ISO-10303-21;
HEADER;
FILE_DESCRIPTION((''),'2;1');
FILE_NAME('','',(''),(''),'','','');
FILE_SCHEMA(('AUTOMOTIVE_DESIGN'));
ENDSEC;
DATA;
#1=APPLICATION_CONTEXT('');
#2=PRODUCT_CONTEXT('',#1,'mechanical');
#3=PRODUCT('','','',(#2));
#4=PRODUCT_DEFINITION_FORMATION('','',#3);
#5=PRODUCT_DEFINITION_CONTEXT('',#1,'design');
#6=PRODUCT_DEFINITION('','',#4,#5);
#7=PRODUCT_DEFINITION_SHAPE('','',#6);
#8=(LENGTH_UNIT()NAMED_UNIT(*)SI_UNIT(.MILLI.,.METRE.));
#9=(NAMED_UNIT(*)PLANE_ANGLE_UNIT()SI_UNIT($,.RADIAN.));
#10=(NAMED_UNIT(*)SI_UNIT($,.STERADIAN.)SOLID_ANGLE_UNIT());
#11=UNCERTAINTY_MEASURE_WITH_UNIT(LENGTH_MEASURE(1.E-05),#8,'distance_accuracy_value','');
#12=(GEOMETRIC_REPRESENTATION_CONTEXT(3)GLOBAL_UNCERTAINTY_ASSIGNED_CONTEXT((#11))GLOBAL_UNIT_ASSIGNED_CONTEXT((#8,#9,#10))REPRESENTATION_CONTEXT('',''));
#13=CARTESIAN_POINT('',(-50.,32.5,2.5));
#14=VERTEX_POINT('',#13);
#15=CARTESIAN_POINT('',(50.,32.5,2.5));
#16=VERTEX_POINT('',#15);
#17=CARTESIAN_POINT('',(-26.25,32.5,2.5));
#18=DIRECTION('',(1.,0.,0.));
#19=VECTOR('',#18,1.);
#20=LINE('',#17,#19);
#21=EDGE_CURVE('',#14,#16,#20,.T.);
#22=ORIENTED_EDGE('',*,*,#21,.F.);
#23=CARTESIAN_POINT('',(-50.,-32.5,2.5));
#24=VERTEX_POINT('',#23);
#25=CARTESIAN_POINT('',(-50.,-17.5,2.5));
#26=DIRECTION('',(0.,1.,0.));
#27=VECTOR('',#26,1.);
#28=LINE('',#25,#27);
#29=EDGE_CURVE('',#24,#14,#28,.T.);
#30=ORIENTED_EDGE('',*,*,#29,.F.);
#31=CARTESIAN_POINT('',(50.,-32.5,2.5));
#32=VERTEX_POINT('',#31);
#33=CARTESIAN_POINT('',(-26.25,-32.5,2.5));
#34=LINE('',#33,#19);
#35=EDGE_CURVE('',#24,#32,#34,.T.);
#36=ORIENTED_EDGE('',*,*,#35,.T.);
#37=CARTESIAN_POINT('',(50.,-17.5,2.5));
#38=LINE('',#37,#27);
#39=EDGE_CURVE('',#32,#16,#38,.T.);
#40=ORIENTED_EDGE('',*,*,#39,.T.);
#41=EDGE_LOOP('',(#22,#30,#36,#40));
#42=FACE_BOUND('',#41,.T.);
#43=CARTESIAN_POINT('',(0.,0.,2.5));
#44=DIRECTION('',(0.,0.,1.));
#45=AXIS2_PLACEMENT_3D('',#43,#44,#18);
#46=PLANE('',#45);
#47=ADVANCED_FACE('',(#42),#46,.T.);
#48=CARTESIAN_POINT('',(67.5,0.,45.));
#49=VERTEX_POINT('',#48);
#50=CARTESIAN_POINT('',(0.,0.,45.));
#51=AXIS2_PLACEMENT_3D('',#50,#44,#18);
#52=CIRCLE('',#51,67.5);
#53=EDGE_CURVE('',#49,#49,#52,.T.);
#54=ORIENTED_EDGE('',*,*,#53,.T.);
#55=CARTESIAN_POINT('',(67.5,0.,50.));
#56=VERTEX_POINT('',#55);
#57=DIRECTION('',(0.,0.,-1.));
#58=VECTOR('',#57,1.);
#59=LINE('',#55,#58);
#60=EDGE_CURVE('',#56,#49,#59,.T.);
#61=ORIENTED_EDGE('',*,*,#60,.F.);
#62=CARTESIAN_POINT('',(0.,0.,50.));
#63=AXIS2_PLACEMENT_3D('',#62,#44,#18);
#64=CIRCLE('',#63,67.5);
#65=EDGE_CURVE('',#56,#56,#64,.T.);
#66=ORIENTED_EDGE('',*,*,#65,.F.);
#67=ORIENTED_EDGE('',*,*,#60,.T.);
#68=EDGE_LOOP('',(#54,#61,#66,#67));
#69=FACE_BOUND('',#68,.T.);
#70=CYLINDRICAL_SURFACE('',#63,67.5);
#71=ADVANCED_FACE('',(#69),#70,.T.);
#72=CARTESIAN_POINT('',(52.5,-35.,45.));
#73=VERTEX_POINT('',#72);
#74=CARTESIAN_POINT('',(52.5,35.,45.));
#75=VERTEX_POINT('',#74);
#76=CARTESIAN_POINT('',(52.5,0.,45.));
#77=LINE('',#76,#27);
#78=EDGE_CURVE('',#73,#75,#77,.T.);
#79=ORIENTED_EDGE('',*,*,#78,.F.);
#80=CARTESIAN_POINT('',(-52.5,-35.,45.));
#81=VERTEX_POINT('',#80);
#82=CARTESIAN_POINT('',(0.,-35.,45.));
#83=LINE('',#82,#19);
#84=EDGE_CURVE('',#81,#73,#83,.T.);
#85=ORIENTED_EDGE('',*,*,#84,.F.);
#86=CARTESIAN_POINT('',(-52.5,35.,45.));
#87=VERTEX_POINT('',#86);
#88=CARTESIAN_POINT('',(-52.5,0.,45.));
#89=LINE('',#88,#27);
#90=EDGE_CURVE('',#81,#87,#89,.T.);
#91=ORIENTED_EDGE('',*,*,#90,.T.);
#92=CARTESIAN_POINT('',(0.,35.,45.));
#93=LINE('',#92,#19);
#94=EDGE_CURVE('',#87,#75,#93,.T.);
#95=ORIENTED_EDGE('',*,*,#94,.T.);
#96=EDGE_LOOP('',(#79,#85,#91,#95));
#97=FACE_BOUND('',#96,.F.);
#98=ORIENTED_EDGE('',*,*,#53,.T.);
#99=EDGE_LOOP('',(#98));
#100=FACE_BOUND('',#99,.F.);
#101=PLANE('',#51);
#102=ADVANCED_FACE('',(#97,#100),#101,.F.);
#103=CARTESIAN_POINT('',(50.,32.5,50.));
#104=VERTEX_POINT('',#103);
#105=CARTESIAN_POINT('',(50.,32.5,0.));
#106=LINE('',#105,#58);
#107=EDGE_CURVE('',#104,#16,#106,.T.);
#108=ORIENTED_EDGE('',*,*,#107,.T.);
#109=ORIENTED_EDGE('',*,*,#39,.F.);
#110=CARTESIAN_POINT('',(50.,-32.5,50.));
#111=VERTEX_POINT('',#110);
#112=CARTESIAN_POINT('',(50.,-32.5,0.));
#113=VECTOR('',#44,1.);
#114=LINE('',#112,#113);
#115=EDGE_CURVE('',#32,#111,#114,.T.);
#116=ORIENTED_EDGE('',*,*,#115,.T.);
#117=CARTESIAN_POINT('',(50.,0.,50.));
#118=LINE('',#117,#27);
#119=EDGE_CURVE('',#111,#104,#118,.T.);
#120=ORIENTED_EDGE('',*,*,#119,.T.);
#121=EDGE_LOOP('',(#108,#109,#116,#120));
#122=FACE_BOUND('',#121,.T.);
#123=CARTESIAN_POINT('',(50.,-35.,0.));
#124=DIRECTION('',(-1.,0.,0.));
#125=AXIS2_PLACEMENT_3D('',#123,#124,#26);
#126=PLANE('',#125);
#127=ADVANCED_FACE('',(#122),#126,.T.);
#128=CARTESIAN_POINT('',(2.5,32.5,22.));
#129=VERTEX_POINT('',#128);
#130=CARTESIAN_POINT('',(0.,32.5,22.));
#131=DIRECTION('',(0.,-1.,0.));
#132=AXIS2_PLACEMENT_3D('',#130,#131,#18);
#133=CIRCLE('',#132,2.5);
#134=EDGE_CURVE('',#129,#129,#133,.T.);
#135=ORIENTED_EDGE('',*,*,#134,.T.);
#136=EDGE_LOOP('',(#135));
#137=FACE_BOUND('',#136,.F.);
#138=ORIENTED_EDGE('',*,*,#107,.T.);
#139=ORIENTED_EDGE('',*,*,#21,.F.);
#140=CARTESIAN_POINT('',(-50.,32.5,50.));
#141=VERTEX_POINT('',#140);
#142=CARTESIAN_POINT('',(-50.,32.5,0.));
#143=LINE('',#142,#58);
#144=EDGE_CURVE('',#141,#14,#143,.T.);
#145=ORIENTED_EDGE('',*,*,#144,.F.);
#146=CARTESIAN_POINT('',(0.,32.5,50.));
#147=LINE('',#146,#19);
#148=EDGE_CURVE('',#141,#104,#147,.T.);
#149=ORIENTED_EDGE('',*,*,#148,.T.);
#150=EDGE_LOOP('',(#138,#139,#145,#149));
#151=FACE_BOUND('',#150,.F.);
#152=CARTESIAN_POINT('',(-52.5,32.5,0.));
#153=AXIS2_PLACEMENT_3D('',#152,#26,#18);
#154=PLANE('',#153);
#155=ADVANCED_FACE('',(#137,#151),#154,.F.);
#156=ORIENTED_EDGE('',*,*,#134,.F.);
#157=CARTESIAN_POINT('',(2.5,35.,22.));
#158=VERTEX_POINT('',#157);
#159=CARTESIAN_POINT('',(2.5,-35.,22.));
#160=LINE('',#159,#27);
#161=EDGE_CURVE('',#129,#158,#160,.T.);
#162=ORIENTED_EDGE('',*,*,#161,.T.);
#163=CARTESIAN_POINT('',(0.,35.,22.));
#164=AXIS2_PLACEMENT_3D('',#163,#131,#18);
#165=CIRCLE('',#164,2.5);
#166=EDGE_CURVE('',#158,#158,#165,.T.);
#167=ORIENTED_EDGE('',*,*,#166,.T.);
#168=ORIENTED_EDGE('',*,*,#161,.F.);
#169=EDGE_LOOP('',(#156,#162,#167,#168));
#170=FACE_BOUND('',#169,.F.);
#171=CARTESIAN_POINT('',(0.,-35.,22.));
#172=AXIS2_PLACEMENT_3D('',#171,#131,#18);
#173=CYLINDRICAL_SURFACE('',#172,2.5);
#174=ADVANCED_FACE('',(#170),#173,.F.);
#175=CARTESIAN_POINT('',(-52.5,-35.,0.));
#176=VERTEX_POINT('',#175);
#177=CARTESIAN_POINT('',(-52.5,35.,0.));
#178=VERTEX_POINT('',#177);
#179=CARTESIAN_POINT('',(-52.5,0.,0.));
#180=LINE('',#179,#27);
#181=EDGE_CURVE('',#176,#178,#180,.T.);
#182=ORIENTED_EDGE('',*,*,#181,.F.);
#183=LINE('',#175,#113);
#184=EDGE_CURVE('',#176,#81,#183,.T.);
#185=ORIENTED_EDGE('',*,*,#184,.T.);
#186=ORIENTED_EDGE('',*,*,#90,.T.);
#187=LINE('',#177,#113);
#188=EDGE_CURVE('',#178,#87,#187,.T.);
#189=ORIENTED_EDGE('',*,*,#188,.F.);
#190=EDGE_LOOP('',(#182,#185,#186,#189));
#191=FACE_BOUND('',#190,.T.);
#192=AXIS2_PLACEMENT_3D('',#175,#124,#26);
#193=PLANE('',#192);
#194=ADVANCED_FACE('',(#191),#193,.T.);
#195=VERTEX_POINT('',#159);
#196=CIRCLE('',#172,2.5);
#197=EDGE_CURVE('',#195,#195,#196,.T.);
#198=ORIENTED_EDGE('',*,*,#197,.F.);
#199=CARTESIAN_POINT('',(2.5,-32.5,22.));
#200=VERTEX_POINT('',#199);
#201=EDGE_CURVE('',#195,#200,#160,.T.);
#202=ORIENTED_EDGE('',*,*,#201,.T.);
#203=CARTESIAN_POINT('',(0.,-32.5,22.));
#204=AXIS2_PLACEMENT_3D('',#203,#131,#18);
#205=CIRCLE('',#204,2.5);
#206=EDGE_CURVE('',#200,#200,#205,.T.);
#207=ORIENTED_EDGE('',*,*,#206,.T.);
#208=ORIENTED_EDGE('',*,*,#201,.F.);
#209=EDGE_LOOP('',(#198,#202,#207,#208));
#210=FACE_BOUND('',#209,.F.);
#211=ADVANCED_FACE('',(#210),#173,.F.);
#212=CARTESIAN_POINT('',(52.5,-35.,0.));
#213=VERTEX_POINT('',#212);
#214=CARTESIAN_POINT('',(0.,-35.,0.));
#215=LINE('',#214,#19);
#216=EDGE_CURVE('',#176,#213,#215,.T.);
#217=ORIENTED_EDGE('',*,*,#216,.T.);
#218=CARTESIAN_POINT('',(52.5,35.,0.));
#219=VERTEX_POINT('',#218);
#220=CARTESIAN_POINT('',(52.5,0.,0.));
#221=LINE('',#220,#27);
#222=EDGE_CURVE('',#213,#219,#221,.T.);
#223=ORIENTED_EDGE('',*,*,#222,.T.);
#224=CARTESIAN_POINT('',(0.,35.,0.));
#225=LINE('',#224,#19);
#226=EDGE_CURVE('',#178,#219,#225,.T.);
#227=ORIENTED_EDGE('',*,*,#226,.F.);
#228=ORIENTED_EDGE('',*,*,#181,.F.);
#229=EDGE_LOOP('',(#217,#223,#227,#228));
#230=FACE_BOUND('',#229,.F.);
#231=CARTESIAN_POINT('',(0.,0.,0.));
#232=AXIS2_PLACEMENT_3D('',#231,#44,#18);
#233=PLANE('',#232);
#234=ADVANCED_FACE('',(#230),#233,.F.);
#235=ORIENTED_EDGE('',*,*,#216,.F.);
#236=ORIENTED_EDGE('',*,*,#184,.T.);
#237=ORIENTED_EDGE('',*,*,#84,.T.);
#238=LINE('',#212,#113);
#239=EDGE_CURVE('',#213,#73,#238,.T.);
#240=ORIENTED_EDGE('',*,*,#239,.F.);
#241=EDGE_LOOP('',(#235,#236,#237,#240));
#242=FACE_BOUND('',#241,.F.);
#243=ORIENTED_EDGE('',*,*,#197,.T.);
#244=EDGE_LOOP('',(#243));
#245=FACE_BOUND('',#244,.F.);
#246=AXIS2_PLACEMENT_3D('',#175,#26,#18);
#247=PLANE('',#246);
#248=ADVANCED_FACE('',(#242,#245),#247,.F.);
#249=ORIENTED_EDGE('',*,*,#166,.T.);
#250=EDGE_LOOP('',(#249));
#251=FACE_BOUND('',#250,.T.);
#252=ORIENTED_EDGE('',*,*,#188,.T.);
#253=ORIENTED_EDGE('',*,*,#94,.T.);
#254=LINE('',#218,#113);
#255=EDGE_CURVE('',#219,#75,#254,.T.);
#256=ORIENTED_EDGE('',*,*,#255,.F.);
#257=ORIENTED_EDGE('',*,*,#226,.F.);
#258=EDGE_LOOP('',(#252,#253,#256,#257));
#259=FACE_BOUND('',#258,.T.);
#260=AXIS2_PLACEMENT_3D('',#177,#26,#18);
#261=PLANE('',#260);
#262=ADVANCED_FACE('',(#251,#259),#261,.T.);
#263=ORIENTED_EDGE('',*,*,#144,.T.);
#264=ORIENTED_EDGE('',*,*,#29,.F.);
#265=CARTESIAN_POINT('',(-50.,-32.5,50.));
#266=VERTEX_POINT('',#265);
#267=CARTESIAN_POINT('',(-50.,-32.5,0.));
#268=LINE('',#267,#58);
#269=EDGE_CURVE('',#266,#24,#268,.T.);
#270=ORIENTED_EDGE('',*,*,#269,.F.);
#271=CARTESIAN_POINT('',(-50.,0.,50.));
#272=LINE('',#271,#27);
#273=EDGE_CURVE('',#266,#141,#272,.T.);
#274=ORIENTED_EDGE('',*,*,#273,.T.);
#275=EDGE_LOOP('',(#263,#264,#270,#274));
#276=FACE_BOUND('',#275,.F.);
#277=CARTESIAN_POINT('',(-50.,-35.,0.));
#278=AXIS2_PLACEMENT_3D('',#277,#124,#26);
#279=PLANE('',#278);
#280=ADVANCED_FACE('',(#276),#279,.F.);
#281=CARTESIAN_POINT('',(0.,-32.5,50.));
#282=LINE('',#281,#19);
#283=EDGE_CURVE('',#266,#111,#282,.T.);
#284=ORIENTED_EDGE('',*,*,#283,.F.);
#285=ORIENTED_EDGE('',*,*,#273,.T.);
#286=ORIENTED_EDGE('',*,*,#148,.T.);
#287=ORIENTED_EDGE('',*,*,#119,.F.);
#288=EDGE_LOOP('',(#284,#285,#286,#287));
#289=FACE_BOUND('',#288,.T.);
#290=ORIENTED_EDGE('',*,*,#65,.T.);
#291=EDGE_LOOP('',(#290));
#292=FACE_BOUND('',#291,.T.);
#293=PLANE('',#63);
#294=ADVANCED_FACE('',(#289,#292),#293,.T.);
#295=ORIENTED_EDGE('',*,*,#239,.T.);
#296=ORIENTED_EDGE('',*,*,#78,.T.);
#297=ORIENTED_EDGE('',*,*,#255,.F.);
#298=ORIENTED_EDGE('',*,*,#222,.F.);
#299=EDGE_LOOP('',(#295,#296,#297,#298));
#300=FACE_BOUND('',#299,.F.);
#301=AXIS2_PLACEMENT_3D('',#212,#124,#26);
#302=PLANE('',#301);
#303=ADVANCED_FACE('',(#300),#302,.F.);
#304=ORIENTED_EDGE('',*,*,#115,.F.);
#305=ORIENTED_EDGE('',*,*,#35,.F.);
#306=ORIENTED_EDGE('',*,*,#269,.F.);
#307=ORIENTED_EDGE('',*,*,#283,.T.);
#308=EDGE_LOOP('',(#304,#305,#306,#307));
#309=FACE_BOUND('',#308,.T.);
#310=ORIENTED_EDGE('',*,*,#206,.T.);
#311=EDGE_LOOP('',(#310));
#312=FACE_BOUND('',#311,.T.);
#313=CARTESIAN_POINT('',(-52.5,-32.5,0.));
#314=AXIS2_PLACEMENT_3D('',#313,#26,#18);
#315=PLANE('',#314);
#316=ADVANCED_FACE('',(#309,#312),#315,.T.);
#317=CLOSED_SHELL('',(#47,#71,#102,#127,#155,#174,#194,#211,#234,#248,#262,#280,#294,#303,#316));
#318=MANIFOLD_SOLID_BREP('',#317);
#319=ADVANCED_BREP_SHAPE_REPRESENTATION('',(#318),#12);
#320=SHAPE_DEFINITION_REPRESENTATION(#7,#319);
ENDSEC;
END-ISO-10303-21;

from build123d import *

# Parameters (mm, degrees)
F0_W     = 105
F0_H     = 70
F1_DEPTH = 50
F2_T     = -2.5
F3_R     = 67.5
F3_W     = 105
F3_H     = 70
F4_DEPTH = 5
F5_R     = 2.5
F6_DEPTH = 102.501


with BuildPart() as f1:
    # F0 (on Top) → F1 (new body)
    with BuildSketch(Plane.XY):
        Rectangle(F0_W, F0_H)
    extrude(amount=F1_DEPTH)

    # F2
    f2_openings = [f1.faces().sort_by_distance(p)[0] for p in [
        (0, 0, 50),
    ]]
    offset(amount=F2_T, openings=f2_openings)

    # F3 (on face) → F4 (join)
    with BuildSketch(Plane.XY.offset(50)):
        Circle(F3_R)
        Rectangle(F3_W, F3_H, mode=Mode.SUBTRACT)
    extrude(amount=-F4_DEPTH)

    # F5 (on face) → F6 (cut, through all)
    with BuildSketch(Plane.XZ.offset(35)):
        with Locations((0, 22)):
            Circle(F5_R)
    extrude(amount=-F6_DEPTH, mode=Mode.SUBTRACT)


solid = f1.part
